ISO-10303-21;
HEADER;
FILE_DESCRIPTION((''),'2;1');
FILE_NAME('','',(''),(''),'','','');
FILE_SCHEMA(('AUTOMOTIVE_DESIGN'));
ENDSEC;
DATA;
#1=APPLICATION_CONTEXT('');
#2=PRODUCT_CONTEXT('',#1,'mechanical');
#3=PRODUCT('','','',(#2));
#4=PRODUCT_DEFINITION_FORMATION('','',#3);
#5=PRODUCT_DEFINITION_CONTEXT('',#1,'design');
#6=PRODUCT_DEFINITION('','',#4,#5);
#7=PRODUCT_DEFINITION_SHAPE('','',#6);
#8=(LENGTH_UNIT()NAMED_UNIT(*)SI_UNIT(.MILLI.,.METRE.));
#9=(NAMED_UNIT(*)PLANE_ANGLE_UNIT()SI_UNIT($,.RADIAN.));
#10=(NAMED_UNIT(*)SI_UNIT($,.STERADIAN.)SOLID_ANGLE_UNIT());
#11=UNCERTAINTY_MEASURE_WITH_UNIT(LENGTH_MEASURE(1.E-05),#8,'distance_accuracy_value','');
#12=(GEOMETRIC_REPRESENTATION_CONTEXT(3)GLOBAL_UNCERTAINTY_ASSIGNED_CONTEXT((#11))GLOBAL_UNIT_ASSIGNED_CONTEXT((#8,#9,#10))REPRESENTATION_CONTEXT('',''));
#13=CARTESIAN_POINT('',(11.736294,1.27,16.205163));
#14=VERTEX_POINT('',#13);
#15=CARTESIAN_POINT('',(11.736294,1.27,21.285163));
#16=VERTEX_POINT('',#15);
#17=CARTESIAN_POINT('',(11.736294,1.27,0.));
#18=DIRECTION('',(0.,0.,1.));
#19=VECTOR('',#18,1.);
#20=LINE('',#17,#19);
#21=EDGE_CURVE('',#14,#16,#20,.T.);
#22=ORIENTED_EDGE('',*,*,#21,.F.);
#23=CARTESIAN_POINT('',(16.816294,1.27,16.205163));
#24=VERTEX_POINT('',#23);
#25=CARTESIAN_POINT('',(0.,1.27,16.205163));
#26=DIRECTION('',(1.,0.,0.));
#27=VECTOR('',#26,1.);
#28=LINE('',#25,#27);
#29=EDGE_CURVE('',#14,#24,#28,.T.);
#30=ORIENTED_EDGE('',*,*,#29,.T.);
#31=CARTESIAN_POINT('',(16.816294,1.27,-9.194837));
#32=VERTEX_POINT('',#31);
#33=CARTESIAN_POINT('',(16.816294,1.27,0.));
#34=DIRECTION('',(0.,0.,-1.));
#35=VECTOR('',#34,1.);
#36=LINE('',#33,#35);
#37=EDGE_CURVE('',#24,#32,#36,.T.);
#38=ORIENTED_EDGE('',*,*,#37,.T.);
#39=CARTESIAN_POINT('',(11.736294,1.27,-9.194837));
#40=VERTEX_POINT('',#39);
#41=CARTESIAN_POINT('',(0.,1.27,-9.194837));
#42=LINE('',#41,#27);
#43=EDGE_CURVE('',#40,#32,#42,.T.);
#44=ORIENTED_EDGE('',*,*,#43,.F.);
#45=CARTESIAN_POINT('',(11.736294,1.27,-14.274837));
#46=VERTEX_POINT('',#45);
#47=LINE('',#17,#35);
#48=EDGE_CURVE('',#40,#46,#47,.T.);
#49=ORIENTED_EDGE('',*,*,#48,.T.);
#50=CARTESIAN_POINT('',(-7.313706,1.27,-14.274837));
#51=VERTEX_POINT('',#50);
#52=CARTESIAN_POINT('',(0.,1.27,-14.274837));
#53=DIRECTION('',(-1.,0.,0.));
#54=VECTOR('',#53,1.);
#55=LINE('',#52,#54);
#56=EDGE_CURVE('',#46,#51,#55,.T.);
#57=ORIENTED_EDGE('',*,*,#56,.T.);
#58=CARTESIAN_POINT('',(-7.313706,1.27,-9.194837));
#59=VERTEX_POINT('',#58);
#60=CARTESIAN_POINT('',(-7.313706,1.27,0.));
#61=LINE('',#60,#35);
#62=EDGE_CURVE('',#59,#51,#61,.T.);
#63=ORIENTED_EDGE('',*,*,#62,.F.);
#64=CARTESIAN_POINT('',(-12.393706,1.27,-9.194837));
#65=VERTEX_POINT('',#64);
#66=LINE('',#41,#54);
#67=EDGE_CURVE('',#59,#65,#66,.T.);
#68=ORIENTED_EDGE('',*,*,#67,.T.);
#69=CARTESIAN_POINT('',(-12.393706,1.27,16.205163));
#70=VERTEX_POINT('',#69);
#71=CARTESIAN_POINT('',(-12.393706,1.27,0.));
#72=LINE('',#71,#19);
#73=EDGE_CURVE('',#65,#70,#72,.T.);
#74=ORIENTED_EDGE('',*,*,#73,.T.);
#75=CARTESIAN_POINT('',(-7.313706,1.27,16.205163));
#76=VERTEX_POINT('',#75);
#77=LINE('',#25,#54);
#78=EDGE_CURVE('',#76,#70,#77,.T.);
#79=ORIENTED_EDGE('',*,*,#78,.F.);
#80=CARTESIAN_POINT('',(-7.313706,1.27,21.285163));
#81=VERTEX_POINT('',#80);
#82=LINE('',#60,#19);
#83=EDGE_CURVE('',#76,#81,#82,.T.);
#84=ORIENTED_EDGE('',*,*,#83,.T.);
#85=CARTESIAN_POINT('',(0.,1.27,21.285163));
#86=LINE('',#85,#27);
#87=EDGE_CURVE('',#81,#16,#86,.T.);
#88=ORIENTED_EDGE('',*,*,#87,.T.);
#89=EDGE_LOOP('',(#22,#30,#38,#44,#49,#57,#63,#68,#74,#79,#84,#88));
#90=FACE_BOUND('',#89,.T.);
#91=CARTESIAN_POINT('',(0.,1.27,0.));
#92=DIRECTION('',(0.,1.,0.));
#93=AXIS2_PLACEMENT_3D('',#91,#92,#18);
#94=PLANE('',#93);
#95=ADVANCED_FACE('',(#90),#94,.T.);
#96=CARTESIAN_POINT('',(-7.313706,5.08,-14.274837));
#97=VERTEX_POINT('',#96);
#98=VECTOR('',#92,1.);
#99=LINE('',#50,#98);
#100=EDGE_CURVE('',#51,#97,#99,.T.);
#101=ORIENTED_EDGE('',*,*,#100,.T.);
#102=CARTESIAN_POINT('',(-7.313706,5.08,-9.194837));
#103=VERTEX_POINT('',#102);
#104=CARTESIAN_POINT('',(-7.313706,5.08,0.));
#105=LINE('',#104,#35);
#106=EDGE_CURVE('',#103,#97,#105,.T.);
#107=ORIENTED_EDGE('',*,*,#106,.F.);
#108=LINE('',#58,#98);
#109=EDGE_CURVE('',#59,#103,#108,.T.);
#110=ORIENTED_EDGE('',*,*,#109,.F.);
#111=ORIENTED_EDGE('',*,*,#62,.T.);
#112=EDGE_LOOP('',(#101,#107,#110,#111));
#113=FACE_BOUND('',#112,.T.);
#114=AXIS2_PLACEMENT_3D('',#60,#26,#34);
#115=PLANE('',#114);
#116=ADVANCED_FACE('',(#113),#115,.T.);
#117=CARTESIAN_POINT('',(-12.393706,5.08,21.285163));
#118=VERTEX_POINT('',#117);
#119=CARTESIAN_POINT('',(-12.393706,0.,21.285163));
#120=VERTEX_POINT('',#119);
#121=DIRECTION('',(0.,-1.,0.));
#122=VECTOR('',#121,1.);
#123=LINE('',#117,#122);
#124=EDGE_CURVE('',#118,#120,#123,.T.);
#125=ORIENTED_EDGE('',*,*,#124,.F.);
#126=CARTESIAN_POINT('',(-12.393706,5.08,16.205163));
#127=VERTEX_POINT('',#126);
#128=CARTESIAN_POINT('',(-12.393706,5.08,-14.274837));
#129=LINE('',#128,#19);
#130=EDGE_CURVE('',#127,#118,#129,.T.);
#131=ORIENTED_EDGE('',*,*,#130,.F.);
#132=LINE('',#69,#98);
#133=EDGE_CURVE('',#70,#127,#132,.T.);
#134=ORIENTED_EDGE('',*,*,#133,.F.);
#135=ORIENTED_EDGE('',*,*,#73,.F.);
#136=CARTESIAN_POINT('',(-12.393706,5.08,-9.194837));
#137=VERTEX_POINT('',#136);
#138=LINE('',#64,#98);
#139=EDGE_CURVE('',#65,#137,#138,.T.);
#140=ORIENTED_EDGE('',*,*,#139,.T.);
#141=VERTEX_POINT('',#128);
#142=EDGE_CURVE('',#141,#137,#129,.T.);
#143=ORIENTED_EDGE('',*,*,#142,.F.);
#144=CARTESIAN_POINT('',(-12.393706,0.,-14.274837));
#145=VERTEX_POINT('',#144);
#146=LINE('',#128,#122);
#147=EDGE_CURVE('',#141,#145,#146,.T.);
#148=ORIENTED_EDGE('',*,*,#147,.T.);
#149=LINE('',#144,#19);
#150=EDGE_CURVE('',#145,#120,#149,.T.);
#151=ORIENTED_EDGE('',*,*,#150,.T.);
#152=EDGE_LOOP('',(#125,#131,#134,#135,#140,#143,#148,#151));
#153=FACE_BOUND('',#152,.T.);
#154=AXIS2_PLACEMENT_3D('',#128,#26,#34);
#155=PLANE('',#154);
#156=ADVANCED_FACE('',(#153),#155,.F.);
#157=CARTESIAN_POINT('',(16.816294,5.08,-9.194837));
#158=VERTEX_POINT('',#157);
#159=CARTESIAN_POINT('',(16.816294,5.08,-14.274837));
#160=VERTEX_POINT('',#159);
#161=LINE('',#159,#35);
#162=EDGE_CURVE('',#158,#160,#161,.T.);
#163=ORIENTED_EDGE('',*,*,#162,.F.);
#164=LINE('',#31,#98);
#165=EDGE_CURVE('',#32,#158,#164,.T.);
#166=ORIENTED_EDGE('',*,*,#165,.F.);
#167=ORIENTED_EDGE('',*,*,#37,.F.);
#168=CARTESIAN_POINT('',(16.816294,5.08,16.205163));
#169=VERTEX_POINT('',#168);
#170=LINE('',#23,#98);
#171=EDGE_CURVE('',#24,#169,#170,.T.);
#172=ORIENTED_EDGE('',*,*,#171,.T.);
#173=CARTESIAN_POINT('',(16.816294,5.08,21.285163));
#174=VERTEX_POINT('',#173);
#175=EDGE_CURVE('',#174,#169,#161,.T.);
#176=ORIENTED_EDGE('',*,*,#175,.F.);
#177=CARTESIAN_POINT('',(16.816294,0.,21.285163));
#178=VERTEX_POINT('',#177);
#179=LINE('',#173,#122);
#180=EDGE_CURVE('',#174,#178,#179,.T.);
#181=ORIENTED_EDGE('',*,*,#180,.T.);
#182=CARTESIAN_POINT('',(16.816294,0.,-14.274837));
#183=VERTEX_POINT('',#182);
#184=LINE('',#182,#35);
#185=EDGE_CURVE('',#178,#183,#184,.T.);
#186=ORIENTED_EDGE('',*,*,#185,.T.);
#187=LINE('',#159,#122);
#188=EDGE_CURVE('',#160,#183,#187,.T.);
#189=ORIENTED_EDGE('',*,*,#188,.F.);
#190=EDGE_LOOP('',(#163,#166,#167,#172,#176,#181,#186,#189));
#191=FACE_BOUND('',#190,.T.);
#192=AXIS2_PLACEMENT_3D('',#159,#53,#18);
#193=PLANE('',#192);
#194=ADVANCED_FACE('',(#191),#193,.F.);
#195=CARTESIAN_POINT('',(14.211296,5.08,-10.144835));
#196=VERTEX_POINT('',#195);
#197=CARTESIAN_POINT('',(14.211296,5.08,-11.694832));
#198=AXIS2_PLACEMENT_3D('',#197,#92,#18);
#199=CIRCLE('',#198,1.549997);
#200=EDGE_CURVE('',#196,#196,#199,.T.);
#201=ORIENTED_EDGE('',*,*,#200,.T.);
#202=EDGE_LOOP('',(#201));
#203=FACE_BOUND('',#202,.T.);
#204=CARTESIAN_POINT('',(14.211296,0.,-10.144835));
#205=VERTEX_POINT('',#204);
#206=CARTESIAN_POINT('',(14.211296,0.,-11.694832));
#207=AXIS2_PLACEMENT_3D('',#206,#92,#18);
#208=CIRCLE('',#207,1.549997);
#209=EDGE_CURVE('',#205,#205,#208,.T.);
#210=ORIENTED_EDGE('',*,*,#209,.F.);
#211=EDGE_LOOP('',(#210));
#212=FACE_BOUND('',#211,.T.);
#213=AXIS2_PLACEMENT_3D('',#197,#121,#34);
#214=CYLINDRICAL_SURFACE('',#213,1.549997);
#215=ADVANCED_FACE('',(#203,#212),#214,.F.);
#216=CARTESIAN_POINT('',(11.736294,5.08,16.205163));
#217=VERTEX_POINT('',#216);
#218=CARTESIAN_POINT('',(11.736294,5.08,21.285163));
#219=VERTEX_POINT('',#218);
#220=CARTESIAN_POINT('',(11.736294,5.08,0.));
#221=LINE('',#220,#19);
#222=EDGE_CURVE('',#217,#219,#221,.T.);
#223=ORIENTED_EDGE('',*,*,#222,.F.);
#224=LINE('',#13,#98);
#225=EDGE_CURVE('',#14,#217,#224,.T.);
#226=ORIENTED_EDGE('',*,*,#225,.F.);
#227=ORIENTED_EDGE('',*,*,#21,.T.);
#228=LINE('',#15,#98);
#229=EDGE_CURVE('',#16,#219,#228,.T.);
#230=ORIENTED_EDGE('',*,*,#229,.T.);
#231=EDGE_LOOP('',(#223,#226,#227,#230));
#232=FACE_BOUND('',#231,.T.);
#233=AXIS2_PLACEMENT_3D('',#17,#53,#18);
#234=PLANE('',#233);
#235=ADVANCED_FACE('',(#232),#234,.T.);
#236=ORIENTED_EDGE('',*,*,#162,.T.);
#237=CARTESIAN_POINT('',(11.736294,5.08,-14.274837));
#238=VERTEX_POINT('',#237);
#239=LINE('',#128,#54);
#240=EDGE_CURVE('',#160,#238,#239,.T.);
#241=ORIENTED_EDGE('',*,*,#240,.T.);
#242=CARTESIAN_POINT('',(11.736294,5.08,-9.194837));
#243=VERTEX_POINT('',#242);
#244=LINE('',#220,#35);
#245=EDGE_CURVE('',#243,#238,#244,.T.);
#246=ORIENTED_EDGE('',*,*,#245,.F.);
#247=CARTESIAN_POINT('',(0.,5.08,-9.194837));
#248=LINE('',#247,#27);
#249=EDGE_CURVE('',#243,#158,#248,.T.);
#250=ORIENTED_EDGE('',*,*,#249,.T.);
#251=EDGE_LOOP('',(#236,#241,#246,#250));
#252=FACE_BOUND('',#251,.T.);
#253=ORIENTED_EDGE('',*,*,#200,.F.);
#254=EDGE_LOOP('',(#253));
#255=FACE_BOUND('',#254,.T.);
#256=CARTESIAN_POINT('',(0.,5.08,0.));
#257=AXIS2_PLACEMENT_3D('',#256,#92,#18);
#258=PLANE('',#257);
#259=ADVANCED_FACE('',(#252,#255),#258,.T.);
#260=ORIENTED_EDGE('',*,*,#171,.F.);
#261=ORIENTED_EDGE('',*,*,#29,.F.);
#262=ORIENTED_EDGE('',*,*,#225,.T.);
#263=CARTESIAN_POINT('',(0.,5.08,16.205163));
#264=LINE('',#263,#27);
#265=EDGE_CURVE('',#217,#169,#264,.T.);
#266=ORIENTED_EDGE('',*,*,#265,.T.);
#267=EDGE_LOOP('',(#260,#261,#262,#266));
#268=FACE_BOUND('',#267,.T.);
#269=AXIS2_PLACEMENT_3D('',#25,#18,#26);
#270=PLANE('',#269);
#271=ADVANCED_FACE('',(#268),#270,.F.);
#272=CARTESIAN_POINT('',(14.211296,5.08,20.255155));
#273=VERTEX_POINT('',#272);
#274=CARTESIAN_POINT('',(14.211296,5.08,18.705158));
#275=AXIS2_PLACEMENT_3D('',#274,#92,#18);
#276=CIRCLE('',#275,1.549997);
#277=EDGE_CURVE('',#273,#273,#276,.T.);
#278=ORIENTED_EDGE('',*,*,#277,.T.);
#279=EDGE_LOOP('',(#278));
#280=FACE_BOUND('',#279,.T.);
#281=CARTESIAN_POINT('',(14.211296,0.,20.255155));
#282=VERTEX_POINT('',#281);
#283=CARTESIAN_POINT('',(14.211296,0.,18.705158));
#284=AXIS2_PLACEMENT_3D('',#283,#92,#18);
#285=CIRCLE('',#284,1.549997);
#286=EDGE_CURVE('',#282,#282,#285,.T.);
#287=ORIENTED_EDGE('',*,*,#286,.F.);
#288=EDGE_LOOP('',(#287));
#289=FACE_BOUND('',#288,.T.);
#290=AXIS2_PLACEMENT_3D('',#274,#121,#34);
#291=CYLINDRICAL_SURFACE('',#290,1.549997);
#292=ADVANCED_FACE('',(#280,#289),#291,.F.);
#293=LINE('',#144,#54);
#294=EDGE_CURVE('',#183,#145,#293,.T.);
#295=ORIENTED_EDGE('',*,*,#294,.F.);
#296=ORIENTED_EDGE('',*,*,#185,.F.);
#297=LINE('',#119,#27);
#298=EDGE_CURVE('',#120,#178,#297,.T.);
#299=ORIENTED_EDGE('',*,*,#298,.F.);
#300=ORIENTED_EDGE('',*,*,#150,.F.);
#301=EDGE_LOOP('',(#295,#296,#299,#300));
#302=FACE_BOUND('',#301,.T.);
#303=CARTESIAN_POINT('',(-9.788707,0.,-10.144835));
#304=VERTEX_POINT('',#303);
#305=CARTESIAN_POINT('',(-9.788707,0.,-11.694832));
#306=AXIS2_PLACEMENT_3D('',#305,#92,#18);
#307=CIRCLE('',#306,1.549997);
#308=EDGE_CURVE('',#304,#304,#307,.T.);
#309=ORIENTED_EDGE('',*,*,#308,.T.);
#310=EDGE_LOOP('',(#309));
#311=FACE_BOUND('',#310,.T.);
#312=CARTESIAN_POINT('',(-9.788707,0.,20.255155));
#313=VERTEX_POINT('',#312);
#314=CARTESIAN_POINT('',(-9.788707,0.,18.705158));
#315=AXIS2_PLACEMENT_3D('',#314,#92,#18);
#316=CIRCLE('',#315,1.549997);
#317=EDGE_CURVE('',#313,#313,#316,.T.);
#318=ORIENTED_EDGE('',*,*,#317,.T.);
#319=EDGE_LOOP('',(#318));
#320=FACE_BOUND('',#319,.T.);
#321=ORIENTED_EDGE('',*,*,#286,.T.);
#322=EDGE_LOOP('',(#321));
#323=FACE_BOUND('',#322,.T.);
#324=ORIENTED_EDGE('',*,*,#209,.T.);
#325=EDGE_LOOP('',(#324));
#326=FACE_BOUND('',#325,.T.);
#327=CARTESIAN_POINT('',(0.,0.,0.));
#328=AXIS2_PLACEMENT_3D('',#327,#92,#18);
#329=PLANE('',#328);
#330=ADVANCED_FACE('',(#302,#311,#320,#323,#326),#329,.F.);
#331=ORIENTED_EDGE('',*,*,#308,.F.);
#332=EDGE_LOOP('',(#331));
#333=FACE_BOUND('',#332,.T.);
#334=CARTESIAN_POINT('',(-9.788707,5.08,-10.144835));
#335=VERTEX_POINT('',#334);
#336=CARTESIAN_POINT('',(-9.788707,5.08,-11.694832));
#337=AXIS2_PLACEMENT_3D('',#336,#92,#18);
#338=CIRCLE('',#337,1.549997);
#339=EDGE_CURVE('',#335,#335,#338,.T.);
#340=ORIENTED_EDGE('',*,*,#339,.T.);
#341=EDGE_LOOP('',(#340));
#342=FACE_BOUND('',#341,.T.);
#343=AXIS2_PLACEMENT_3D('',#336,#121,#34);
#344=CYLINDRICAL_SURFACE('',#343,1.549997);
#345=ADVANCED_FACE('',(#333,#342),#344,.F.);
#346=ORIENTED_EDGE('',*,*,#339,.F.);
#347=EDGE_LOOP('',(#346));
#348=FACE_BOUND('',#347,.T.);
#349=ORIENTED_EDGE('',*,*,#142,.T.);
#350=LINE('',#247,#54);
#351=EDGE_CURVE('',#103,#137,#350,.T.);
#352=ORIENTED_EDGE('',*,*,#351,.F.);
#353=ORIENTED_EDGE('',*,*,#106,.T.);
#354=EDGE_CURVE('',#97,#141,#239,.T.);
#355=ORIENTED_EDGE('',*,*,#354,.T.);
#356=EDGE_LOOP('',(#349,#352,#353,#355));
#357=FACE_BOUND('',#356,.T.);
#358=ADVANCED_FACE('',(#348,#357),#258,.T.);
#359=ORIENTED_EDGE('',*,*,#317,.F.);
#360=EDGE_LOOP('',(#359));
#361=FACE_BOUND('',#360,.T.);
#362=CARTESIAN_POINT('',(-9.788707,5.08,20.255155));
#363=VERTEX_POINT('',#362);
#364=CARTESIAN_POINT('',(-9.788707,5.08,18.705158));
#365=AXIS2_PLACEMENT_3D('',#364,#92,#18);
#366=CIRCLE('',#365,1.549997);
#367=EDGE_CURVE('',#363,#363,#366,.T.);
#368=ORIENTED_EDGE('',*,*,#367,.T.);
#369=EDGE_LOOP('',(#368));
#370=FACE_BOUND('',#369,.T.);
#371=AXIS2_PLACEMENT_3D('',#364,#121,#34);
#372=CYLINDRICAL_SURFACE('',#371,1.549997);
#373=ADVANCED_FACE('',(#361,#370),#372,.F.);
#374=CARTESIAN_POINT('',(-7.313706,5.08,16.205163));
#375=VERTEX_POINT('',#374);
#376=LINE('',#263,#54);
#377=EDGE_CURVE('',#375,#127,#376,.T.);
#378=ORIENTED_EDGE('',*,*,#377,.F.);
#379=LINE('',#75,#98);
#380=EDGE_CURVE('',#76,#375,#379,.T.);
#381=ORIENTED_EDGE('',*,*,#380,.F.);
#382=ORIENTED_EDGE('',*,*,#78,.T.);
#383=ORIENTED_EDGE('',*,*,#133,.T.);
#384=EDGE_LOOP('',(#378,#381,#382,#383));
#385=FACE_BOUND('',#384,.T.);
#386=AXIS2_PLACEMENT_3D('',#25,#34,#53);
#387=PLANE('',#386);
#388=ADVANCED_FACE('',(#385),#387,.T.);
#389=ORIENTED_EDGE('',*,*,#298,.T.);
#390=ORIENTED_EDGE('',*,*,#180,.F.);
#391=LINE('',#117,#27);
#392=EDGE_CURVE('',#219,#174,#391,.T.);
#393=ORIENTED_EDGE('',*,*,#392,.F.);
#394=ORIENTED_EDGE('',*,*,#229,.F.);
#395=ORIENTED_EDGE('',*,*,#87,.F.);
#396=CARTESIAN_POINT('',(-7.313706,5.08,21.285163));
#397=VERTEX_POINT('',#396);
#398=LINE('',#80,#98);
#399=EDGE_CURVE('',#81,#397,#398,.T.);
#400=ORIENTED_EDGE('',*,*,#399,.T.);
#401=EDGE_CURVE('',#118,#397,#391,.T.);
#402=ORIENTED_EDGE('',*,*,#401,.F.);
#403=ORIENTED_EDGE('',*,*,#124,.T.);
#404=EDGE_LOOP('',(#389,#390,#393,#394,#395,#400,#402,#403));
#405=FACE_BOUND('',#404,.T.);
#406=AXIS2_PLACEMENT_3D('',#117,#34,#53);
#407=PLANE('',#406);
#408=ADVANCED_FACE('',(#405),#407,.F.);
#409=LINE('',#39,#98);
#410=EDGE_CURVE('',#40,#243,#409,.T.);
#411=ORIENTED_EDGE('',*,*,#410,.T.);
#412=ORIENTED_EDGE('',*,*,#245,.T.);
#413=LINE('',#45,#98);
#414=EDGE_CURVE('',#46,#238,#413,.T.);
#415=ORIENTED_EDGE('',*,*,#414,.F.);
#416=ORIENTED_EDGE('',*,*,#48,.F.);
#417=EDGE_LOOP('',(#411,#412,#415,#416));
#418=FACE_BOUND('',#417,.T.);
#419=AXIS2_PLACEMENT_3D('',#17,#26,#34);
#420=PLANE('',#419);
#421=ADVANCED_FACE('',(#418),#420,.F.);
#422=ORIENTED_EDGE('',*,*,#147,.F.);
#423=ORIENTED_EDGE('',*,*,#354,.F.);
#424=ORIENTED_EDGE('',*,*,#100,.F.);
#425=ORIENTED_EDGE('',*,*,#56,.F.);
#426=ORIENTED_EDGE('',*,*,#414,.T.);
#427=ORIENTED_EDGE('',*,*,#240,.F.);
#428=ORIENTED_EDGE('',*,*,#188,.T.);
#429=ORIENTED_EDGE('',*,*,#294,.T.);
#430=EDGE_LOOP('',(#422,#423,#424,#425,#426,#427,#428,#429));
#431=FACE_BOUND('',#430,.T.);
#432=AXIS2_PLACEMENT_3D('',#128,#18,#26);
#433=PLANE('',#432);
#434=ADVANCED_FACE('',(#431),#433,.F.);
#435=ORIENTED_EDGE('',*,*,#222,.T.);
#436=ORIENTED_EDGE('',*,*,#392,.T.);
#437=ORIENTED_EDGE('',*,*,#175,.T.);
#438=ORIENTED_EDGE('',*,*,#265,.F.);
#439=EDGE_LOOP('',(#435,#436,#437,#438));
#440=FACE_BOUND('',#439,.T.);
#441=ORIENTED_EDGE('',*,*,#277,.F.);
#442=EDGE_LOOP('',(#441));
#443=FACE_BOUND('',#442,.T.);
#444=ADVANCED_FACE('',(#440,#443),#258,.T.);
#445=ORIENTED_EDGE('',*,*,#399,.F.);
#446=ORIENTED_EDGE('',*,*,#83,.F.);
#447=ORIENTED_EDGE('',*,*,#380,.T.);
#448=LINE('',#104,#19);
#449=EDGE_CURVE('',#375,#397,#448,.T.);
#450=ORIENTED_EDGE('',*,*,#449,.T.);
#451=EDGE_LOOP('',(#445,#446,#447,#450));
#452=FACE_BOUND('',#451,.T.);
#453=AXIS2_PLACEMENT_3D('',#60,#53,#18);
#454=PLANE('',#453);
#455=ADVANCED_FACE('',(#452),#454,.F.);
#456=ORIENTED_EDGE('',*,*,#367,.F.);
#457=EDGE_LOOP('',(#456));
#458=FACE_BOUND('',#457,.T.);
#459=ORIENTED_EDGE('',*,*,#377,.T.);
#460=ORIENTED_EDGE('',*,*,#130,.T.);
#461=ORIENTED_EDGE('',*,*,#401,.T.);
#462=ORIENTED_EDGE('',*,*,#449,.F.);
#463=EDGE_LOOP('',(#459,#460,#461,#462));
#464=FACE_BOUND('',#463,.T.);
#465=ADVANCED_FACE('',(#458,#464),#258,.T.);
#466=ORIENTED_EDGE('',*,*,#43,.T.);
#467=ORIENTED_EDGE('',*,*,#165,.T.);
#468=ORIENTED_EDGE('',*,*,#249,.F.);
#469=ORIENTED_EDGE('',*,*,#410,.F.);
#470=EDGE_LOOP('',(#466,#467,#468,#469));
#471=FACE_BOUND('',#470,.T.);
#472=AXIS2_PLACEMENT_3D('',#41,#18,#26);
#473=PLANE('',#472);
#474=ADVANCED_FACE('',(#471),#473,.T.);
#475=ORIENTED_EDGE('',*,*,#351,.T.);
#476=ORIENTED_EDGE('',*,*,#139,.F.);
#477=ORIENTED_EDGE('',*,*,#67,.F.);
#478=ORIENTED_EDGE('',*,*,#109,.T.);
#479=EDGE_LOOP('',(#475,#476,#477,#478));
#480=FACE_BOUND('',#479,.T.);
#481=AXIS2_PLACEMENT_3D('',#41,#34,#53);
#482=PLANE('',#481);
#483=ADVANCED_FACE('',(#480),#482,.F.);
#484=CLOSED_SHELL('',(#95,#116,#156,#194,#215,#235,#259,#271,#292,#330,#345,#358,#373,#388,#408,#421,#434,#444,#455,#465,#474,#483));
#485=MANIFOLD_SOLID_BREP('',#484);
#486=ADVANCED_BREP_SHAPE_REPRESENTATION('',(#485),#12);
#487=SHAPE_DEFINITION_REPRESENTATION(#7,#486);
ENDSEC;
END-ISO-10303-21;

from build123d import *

# Parameters (mm, degrees)
SKETCH1_W           = 29.21
SKETCH1_H           = 35.56
SKETCH1_R           = 1.5499969
BOSS_EXTRUDE1_DEPTH = 5.08
SKETCH2_W           = 5.08
SKETCH2_H           = 25.4
SKETCH2_W_2         = 19.05
SKETCH2_H_2         = 5.08
CUT_EXTRUDE1_DEPTH  = 3.81


with BuildPart() as part:
    # Sketch1 → Boss-Extrude1 (new body)
    with BuildSketch(Plane(origin=(0, 0, 0), x_dir=(1, 0, 0), z_dir=(0, 1, 0))):
        with Locations((2.211294118, -3.505162647)):
            Rectangle(SKETCH1_W, SKETCH1_H)
        with Locations(Location((-9.788707282, 11.694832353, 0), (0, 0, 270))):
            Circle(SKETCH1_R, mode=Mode.SUBTRACT)
        with Locations(Location((14.211295518, 11.694832353, 0), (0, 0, 270))):
            Circle(SKETCH1_R, mode=Mode.SUBTRACT)
        with Locations(Location((14.211295518, -18.705157647, 0), (0, 0, 270))):
            Circle(SKETCH1_R, mode=Mode.SUBTRACT)
        with Locations(Location((-9.788707282, -18.705157647, 0), (0, 0, 270))):
            Circle(SKETCH1_R, mode=Mode.SUBTRACT)
    extrude(amount=BOSS_EXTRUDE1_DEPTH)

    # Sketch2 → Cut-Extrude1 (cut)
    with BuildSketch(Plane(origin=(0, 5.08, 0), x_dir=(1, 0, 0), z_dir=(0, 1, 0))):
        with Locations((-9.853705882, -3.505162647)):
            Rectangle(SKETCH2_W, SKETCH2_H)
        with Locations((2.211294118, 11.734837353)):
            Rectangle(SKETCH2_W_2, SKETCH2_H_2)
        with Locations((14.276294118, -3.505162647)):
            Rectangle(SKETCH2_W, SKETCH2_H)
        with Locations((2.211294118, -3.505162647)):
            Rectangle(SKETCH2_W_2, SKETCH2_H)
        with Locations((2.211294118, -18.745162647)):
            Rectangle(SKETCH2_W_2, SKETCH2_H_2)
    extrude(amount=-CUT_EXTRUDE1_DEPTH, mode=Mode.SUBTRACT)


solid = part.part
